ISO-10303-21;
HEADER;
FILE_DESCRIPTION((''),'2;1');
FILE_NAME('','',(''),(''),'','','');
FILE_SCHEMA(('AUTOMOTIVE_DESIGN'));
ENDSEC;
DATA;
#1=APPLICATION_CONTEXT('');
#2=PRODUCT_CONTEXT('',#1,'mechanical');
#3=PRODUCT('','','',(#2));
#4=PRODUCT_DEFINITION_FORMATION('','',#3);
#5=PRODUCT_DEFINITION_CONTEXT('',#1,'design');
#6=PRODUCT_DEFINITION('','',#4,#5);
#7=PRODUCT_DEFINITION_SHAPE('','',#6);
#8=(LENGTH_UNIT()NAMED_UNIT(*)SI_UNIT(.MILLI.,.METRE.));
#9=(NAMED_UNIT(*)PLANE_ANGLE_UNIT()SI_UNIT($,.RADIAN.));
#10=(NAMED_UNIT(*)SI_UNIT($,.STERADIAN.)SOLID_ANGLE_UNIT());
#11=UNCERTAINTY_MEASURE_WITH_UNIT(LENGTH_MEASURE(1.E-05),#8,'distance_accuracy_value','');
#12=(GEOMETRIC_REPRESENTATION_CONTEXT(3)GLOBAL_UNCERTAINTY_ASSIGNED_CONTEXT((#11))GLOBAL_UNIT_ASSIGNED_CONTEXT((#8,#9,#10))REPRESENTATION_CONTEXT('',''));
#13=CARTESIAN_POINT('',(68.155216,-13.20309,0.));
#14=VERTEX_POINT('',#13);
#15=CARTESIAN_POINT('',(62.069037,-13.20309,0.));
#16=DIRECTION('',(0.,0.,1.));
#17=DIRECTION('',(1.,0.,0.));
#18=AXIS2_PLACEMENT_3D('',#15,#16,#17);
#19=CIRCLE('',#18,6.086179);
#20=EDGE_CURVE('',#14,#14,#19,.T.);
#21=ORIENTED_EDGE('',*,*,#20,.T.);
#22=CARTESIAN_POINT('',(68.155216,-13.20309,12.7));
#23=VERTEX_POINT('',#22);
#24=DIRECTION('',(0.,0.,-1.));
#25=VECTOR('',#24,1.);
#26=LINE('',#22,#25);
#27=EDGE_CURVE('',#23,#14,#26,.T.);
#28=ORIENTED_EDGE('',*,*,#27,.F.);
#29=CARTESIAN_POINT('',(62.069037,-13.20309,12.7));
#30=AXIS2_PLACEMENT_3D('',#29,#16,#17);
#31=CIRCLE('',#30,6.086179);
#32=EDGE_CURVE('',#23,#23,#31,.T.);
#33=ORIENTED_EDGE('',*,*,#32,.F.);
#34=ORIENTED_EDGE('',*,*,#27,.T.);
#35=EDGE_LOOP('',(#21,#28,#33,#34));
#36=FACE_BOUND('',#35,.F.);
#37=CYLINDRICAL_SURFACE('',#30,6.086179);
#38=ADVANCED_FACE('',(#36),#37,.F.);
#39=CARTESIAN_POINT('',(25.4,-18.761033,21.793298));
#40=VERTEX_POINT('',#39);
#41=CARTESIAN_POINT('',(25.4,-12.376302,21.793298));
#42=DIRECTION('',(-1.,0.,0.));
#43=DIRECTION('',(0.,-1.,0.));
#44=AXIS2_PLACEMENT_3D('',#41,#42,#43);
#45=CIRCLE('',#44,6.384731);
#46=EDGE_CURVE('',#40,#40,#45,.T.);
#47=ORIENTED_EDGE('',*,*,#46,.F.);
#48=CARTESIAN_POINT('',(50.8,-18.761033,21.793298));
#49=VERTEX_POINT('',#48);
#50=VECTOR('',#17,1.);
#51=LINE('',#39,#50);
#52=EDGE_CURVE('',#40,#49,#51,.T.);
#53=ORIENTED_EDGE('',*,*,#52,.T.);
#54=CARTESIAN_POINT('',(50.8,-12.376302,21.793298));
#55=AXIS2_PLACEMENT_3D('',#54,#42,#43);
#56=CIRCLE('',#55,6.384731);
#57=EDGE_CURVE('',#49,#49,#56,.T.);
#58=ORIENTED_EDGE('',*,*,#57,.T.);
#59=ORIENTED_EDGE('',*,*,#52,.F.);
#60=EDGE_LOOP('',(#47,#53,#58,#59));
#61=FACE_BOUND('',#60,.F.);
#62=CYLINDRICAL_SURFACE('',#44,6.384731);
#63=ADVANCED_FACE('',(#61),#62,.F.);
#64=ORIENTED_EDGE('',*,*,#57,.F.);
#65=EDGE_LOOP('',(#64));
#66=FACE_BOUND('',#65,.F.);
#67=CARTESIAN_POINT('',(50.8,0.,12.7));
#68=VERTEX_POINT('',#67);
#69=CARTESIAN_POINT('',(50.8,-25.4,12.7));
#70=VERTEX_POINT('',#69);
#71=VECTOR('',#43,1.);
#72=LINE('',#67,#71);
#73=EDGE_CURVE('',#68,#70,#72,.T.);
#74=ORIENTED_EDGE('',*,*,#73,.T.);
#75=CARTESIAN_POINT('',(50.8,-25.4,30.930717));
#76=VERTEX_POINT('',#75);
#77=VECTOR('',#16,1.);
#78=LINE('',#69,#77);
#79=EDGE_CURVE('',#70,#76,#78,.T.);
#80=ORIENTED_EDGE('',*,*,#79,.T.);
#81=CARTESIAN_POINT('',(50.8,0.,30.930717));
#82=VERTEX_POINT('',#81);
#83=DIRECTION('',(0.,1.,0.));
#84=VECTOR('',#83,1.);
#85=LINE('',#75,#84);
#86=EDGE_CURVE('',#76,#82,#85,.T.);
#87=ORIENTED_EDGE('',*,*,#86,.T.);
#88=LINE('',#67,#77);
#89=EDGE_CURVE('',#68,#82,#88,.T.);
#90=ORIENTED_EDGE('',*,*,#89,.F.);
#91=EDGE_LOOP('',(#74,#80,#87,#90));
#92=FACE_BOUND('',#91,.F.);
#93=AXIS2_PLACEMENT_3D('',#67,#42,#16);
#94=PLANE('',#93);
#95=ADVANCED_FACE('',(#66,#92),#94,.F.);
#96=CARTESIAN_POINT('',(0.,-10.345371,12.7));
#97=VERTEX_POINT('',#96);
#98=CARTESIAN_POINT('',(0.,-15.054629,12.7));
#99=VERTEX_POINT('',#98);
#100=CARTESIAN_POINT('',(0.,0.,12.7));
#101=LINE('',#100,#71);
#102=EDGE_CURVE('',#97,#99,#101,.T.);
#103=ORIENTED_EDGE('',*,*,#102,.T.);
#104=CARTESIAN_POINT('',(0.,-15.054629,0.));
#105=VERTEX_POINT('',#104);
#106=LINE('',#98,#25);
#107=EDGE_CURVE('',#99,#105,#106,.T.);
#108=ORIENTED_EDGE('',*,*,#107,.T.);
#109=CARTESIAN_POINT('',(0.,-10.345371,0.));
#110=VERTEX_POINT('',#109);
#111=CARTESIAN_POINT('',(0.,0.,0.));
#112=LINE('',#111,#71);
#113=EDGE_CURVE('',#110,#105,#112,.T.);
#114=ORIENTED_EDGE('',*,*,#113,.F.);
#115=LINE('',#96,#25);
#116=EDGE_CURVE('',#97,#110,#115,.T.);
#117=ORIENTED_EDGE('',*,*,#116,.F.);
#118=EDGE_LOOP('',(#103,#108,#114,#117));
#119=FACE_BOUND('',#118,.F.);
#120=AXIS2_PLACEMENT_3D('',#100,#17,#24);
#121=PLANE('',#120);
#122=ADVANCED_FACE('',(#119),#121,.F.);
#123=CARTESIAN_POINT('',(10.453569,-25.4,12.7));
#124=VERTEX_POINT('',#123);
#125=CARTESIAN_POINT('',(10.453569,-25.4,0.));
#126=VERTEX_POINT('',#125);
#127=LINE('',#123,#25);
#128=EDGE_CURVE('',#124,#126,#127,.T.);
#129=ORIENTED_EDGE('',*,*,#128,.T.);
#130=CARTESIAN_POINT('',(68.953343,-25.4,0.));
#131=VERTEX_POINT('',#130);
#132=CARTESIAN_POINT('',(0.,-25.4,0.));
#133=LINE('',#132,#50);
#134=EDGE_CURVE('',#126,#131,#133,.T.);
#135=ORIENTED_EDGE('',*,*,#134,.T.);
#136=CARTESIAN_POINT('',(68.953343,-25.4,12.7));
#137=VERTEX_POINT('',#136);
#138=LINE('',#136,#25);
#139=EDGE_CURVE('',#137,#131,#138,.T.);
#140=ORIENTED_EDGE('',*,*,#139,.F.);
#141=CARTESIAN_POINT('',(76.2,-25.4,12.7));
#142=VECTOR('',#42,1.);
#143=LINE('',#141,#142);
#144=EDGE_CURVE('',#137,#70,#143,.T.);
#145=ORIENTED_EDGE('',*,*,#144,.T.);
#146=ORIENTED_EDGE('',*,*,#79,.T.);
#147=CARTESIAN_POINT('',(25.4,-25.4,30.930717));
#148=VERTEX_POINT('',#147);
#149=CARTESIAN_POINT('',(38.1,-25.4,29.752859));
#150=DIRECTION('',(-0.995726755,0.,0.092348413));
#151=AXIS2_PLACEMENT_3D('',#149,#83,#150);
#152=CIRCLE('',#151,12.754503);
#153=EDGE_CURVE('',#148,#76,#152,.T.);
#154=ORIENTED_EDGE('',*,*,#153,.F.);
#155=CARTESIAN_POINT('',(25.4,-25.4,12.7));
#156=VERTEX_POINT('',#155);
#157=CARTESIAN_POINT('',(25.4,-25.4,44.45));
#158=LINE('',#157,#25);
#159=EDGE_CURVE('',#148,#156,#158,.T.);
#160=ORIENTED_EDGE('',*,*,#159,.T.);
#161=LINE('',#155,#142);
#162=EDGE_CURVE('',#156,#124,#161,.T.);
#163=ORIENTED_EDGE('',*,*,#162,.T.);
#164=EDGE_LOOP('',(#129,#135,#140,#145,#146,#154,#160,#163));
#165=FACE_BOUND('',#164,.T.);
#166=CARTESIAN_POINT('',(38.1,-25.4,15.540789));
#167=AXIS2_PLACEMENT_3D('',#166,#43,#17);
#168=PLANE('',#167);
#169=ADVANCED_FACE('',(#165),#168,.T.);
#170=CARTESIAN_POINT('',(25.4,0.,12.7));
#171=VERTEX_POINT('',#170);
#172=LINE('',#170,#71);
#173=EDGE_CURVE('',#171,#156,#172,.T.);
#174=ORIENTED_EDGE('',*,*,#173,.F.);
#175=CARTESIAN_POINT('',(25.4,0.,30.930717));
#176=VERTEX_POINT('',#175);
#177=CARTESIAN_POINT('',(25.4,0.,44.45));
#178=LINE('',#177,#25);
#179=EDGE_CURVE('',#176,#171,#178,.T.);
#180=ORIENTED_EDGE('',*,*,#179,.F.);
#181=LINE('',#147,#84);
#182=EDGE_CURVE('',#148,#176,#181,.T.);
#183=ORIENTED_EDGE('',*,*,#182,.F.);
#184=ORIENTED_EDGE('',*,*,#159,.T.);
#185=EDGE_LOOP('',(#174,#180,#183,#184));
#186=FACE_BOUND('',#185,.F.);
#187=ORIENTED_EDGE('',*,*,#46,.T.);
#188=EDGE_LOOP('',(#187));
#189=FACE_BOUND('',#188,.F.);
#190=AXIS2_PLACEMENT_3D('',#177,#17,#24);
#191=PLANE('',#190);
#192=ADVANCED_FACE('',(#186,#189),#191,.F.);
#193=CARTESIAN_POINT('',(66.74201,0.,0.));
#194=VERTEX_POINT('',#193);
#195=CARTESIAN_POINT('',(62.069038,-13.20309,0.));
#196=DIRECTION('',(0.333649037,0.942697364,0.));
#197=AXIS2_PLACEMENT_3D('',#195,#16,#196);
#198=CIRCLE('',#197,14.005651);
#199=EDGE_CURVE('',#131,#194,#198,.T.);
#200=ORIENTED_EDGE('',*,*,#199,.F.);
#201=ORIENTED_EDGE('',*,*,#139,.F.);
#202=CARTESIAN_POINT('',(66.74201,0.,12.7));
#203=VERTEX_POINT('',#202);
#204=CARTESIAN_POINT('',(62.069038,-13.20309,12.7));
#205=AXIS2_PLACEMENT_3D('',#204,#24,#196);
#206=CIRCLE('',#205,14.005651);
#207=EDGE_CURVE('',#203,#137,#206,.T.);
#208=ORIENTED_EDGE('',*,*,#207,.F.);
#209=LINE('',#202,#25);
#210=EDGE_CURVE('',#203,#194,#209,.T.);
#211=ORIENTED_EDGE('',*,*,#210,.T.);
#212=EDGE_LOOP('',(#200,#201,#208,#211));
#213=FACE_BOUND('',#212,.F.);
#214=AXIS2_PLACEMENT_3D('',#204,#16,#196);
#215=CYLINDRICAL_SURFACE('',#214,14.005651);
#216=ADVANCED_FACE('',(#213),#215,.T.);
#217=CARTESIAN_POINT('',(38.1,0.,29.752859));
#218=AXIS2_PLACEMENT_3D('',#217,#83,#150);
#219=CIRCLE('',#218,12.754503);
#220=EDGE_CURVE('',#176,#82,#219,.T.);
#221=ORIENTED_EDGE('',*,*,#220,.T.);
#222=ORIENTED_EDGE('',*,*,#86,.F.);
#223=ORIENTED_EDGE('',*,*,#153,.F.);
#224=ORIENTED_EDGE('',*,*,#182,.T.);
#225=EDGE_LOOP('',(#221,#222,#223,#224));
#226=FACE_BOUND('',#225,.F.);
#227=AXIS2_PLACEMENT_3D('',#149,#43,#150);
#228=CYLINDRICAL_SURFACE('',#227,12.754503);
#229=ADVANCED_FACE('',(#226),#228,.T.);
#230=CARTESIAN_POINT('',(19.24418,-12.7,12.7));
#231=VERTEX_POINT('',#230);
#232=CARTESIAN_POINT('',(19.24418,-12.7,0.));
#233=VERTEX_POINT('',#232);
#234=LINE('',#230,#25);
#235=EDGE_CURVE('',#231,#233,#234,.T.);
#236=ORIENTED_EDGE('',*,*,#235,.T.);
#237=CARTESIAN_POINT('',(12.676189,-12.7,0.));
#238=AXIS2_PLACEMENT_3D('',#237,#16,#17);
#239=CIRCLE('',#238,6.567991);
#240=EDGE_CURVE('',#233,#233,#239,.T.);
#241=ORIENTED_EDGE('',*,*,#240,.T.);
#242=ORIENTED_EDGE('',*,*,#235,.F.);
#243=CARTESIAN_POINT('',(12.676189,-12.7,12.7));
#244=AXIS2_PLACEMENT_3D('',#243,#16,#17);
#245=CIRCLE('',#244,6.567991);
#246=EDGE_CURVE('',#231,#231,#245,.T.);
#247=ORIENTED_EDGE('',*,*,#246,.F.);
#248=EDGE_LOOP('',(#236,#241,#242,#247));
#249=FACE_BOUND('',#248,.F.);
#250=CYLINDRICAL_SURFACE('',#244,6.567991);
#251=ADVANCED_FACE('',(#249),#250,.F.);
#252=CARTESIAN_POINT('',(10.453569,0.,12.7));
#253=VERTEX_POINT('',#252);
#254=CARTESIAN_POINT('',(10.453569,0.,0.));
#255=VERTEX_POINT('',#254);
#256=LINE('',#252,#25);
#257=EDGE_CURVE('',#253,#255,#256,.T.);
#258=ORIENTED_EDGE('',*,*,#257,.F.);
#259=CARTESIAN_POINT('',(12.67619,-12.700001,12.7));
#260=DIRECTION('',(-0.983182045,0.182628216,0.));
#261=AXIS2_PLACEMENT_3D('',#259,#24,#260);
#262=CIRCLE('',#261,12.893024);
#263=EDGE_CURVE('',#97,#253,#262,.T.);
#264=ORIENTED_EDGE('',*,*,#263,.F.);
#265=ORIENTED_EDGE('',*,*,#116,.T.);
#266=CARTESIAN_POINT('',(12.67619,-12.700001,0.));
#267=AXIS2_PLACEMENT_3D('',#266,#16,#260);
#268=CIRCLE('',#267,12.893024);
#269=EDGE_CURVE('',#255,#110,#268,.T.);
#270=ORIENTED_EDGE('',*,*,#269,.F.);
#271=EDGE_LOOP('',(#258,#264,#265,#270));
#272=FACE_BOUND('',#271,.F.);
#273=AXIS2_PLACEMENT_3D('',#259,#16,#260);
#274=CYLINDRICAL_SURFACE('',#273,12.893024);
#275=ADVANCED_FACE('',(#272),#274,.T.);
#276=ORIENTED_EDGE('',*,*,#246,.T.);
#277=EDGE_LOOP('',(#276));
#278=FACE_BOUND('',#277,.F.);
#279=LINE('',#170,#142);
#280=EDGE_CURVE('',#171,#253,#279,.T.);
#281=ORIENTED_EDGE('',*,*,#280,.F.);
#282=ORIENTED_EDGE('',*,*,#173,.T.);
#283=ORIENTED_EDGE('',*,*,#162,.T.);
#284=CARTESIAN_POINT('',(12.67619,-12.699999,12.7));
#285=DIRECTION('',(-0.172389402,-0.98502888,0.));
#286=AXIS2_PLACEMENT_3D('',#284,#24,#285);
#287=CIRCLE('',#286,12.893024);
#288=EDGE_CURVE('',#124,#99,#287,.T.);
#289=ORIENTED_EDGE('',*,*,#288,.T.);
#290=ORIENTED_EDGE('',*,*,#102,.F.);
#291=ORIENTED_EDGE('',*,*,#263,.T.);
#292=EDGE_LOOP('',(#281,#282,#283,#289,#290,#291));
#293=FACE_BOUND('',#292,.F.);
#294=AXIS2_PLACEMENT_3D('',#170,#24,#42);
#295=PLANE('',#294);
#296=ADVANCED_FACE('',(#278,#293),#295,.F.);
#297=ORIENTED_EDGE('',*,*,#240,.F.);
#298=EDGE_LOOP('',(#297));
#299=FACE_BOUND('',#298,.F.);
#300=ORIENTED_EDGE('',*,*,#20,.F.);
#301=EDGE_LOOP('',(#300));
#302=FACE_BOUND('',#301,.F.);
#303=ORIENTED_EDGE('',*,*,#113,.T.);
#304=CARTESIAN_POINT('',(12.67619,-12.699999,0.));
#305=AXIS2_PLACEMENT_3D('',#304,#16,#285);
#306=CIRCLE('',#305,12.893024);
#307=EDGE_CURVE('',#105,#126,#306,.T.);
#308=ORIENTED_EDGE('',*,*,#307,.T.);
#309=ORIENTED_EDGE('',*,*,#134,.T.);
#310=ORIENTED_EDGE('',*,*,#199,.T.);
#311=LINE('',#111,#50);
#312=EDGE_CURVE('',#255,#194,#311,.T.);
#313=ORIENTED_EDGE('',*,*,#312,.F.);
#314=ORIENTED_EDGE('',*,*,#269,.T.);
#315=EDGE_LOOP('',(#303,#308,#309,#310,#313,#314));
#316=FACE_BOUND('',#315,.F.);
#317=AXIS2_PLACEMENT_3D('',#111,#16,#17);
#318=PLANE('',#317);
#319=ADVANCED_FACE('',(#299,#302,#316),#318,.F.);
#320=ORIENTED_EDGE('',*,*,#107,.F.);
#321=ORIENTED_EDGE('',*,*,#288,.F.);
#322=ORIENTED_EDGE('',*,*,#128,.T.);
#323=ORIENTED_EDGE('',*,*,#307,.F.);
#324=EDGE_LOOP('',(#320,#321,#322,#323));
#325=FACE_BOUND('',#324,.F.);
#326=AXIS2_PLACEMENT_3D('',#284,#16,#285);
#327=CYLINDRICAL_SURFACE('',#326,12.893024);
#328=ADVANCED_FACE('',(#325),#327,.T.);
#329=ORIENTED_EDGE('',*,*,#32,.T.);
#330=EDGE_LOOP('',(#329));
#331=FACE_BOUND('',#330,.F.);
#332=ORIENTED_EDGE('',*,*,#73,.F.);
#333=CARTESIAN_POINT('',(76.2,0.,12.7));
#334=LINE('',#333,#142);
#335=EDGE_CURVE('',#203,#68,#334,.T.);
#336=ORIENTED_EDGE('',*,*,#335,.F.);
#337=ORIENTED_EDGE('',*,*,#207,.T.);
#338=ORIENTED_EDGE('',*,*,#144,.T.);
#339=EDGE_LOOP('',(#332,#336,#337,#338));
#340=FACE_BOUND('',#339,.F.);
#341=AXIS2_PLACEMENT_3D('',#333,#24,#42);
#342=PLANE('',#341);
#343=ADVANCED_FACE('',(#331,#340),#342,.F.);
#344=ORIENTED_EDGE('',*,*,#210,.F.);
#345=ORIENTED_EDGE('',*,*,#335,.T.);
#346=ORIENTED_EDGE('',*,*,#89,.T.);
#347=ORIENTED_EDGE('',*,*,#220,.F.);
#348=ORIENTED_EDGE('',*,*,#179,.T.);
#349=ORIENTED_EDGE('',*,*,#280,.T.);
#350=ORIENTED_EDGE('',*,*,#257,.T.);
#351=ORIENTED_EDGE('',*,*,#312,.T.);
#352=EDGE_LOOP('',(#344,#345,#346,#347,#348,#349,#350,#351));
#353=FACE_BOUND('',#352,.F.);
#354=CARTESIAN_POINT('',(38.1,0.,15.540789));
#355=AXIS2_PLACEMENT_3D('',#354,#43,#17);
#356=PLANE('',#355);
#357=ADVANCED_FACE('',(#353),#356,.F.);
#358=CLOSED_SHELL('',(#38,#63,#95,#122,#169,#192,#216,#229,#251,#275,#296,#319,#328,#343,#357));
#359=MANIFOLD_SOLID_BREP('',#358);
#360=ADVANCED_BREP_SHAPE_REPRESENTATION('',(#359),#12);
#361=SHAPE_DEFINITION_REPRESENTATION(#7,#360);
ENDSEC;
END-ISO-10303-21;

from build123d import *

# Parameters (mm, degrees)
F1_DEPTH  = 25.4
F3_DEPTH  = 25.4
F5_DEPTH  = 25.4
F7_DEPTH  = 25.4
F8_R      = 6.567991
F9_DEPTH  = 25.4
F10_R     = 6.086179
F11_DEPTH = 25.4
F12_R     = 6.384731
F13_DEPTH = 25.4


with BuildPart() as f1:
    # F0 (on Front) → F1 (new body)
    with BuildSketch(Plane.XZ):
        Polygon((0, 12.7), (0, 0), (76.2, 0), (76.2, 12.7), (50.8, 12.7), (50.8, 44.45), (25.4, 44.45), (25.4, 12.7), align=None)
    extrude(amount=F1_DEPTH)

    # F2 (on face) → F3 (cut)
    with BuildSketch(Plane.XZ.offset(25.4)):
        with BuildLine():
            ThreePointArc((25.4, 30.930717), (38.1, 42.507362), (50.8, 30.930717))
            Line((50.8, 30.930717), (50.8, 44.45))
            Line((50.8, 44.45), (25.4, 44.45))
            Line((25.4, 44.45), (25.4, 30.930717))
        make_face()
    extrude(amount=-F3_DEPTH, mode=Mode.SUBTRACT)

    # F4 (on face) → F5 (cut)
    with BuildSketch(Plane.XY.offset(12.7)):
        with BuildLine():
            ThreePointArc((0, -10.345371), (3.606994, -3.535954), (10.453569, 0))
            Line((10.453569, 0), (0, 0))
            Line((0, 0), (0, -10.345371))
        make_face()
        with BuildLine():
            ThreePointArc((10.453569, -25.4), (3.606994, -21.864046), (0, -15.054629))
            Line((0, -15.054629), (0, -25.4))
            Line((0, -25.4), (10.453569, -25.4))
        make_face()
    extrude(amount=-F5_DEPTH, mode=Mode.SUBTRACT)

    # F6 (on face) → F7 (cut)
    with BuildSketch(Plane.XY.offset(12.7)):
        with BuildLine():
            ThreePointArc((66.74201, 0), (76.021911, -11.988349), (68.953343, -25.4))
            Line((68.953343, -25.4), (76.2, -25.4))
            Line((76.2, -25.4), (76.2, 0))
            Line((76.2, 0), (66.74201, 0))
        make_face()
    extrude(amount=-F7_DEPTH, mode=Mode.SUBTRACT)

    # F8 (on face) → F9 (cut)
    with BuildSketch(Plane.XY.offset(12.7)):
        with Locations((12.676189, -12.7)):
            Circle(F8_R)
    extrude(amount=-F9_DEPTH, mode=Mode.SUBTRACT)

    # F10 (on face) → F11 (cut)
    with BuildSketch(Plane.XY.offset(12.7)):
        with Locations((62.069037, -13.20309)):
            Circle(F10_R)
    extrude(amount=-F11_DEPTH, mode=Mode.SUBTRACT)

    # F12 (on face) → F13 (cut)
    with BuildSketch(Plane(origin=(25.4, 0, 0), x_dir=(0, -1, 0), z_dir=(-1, 0, 0))):
        with Locations((12.376302, 21.793298)):
            Circle(F12_R)
    extrude(amount=-F13_DEPTH, mode=Mode.SUBTRACT)


solid = f1.part
